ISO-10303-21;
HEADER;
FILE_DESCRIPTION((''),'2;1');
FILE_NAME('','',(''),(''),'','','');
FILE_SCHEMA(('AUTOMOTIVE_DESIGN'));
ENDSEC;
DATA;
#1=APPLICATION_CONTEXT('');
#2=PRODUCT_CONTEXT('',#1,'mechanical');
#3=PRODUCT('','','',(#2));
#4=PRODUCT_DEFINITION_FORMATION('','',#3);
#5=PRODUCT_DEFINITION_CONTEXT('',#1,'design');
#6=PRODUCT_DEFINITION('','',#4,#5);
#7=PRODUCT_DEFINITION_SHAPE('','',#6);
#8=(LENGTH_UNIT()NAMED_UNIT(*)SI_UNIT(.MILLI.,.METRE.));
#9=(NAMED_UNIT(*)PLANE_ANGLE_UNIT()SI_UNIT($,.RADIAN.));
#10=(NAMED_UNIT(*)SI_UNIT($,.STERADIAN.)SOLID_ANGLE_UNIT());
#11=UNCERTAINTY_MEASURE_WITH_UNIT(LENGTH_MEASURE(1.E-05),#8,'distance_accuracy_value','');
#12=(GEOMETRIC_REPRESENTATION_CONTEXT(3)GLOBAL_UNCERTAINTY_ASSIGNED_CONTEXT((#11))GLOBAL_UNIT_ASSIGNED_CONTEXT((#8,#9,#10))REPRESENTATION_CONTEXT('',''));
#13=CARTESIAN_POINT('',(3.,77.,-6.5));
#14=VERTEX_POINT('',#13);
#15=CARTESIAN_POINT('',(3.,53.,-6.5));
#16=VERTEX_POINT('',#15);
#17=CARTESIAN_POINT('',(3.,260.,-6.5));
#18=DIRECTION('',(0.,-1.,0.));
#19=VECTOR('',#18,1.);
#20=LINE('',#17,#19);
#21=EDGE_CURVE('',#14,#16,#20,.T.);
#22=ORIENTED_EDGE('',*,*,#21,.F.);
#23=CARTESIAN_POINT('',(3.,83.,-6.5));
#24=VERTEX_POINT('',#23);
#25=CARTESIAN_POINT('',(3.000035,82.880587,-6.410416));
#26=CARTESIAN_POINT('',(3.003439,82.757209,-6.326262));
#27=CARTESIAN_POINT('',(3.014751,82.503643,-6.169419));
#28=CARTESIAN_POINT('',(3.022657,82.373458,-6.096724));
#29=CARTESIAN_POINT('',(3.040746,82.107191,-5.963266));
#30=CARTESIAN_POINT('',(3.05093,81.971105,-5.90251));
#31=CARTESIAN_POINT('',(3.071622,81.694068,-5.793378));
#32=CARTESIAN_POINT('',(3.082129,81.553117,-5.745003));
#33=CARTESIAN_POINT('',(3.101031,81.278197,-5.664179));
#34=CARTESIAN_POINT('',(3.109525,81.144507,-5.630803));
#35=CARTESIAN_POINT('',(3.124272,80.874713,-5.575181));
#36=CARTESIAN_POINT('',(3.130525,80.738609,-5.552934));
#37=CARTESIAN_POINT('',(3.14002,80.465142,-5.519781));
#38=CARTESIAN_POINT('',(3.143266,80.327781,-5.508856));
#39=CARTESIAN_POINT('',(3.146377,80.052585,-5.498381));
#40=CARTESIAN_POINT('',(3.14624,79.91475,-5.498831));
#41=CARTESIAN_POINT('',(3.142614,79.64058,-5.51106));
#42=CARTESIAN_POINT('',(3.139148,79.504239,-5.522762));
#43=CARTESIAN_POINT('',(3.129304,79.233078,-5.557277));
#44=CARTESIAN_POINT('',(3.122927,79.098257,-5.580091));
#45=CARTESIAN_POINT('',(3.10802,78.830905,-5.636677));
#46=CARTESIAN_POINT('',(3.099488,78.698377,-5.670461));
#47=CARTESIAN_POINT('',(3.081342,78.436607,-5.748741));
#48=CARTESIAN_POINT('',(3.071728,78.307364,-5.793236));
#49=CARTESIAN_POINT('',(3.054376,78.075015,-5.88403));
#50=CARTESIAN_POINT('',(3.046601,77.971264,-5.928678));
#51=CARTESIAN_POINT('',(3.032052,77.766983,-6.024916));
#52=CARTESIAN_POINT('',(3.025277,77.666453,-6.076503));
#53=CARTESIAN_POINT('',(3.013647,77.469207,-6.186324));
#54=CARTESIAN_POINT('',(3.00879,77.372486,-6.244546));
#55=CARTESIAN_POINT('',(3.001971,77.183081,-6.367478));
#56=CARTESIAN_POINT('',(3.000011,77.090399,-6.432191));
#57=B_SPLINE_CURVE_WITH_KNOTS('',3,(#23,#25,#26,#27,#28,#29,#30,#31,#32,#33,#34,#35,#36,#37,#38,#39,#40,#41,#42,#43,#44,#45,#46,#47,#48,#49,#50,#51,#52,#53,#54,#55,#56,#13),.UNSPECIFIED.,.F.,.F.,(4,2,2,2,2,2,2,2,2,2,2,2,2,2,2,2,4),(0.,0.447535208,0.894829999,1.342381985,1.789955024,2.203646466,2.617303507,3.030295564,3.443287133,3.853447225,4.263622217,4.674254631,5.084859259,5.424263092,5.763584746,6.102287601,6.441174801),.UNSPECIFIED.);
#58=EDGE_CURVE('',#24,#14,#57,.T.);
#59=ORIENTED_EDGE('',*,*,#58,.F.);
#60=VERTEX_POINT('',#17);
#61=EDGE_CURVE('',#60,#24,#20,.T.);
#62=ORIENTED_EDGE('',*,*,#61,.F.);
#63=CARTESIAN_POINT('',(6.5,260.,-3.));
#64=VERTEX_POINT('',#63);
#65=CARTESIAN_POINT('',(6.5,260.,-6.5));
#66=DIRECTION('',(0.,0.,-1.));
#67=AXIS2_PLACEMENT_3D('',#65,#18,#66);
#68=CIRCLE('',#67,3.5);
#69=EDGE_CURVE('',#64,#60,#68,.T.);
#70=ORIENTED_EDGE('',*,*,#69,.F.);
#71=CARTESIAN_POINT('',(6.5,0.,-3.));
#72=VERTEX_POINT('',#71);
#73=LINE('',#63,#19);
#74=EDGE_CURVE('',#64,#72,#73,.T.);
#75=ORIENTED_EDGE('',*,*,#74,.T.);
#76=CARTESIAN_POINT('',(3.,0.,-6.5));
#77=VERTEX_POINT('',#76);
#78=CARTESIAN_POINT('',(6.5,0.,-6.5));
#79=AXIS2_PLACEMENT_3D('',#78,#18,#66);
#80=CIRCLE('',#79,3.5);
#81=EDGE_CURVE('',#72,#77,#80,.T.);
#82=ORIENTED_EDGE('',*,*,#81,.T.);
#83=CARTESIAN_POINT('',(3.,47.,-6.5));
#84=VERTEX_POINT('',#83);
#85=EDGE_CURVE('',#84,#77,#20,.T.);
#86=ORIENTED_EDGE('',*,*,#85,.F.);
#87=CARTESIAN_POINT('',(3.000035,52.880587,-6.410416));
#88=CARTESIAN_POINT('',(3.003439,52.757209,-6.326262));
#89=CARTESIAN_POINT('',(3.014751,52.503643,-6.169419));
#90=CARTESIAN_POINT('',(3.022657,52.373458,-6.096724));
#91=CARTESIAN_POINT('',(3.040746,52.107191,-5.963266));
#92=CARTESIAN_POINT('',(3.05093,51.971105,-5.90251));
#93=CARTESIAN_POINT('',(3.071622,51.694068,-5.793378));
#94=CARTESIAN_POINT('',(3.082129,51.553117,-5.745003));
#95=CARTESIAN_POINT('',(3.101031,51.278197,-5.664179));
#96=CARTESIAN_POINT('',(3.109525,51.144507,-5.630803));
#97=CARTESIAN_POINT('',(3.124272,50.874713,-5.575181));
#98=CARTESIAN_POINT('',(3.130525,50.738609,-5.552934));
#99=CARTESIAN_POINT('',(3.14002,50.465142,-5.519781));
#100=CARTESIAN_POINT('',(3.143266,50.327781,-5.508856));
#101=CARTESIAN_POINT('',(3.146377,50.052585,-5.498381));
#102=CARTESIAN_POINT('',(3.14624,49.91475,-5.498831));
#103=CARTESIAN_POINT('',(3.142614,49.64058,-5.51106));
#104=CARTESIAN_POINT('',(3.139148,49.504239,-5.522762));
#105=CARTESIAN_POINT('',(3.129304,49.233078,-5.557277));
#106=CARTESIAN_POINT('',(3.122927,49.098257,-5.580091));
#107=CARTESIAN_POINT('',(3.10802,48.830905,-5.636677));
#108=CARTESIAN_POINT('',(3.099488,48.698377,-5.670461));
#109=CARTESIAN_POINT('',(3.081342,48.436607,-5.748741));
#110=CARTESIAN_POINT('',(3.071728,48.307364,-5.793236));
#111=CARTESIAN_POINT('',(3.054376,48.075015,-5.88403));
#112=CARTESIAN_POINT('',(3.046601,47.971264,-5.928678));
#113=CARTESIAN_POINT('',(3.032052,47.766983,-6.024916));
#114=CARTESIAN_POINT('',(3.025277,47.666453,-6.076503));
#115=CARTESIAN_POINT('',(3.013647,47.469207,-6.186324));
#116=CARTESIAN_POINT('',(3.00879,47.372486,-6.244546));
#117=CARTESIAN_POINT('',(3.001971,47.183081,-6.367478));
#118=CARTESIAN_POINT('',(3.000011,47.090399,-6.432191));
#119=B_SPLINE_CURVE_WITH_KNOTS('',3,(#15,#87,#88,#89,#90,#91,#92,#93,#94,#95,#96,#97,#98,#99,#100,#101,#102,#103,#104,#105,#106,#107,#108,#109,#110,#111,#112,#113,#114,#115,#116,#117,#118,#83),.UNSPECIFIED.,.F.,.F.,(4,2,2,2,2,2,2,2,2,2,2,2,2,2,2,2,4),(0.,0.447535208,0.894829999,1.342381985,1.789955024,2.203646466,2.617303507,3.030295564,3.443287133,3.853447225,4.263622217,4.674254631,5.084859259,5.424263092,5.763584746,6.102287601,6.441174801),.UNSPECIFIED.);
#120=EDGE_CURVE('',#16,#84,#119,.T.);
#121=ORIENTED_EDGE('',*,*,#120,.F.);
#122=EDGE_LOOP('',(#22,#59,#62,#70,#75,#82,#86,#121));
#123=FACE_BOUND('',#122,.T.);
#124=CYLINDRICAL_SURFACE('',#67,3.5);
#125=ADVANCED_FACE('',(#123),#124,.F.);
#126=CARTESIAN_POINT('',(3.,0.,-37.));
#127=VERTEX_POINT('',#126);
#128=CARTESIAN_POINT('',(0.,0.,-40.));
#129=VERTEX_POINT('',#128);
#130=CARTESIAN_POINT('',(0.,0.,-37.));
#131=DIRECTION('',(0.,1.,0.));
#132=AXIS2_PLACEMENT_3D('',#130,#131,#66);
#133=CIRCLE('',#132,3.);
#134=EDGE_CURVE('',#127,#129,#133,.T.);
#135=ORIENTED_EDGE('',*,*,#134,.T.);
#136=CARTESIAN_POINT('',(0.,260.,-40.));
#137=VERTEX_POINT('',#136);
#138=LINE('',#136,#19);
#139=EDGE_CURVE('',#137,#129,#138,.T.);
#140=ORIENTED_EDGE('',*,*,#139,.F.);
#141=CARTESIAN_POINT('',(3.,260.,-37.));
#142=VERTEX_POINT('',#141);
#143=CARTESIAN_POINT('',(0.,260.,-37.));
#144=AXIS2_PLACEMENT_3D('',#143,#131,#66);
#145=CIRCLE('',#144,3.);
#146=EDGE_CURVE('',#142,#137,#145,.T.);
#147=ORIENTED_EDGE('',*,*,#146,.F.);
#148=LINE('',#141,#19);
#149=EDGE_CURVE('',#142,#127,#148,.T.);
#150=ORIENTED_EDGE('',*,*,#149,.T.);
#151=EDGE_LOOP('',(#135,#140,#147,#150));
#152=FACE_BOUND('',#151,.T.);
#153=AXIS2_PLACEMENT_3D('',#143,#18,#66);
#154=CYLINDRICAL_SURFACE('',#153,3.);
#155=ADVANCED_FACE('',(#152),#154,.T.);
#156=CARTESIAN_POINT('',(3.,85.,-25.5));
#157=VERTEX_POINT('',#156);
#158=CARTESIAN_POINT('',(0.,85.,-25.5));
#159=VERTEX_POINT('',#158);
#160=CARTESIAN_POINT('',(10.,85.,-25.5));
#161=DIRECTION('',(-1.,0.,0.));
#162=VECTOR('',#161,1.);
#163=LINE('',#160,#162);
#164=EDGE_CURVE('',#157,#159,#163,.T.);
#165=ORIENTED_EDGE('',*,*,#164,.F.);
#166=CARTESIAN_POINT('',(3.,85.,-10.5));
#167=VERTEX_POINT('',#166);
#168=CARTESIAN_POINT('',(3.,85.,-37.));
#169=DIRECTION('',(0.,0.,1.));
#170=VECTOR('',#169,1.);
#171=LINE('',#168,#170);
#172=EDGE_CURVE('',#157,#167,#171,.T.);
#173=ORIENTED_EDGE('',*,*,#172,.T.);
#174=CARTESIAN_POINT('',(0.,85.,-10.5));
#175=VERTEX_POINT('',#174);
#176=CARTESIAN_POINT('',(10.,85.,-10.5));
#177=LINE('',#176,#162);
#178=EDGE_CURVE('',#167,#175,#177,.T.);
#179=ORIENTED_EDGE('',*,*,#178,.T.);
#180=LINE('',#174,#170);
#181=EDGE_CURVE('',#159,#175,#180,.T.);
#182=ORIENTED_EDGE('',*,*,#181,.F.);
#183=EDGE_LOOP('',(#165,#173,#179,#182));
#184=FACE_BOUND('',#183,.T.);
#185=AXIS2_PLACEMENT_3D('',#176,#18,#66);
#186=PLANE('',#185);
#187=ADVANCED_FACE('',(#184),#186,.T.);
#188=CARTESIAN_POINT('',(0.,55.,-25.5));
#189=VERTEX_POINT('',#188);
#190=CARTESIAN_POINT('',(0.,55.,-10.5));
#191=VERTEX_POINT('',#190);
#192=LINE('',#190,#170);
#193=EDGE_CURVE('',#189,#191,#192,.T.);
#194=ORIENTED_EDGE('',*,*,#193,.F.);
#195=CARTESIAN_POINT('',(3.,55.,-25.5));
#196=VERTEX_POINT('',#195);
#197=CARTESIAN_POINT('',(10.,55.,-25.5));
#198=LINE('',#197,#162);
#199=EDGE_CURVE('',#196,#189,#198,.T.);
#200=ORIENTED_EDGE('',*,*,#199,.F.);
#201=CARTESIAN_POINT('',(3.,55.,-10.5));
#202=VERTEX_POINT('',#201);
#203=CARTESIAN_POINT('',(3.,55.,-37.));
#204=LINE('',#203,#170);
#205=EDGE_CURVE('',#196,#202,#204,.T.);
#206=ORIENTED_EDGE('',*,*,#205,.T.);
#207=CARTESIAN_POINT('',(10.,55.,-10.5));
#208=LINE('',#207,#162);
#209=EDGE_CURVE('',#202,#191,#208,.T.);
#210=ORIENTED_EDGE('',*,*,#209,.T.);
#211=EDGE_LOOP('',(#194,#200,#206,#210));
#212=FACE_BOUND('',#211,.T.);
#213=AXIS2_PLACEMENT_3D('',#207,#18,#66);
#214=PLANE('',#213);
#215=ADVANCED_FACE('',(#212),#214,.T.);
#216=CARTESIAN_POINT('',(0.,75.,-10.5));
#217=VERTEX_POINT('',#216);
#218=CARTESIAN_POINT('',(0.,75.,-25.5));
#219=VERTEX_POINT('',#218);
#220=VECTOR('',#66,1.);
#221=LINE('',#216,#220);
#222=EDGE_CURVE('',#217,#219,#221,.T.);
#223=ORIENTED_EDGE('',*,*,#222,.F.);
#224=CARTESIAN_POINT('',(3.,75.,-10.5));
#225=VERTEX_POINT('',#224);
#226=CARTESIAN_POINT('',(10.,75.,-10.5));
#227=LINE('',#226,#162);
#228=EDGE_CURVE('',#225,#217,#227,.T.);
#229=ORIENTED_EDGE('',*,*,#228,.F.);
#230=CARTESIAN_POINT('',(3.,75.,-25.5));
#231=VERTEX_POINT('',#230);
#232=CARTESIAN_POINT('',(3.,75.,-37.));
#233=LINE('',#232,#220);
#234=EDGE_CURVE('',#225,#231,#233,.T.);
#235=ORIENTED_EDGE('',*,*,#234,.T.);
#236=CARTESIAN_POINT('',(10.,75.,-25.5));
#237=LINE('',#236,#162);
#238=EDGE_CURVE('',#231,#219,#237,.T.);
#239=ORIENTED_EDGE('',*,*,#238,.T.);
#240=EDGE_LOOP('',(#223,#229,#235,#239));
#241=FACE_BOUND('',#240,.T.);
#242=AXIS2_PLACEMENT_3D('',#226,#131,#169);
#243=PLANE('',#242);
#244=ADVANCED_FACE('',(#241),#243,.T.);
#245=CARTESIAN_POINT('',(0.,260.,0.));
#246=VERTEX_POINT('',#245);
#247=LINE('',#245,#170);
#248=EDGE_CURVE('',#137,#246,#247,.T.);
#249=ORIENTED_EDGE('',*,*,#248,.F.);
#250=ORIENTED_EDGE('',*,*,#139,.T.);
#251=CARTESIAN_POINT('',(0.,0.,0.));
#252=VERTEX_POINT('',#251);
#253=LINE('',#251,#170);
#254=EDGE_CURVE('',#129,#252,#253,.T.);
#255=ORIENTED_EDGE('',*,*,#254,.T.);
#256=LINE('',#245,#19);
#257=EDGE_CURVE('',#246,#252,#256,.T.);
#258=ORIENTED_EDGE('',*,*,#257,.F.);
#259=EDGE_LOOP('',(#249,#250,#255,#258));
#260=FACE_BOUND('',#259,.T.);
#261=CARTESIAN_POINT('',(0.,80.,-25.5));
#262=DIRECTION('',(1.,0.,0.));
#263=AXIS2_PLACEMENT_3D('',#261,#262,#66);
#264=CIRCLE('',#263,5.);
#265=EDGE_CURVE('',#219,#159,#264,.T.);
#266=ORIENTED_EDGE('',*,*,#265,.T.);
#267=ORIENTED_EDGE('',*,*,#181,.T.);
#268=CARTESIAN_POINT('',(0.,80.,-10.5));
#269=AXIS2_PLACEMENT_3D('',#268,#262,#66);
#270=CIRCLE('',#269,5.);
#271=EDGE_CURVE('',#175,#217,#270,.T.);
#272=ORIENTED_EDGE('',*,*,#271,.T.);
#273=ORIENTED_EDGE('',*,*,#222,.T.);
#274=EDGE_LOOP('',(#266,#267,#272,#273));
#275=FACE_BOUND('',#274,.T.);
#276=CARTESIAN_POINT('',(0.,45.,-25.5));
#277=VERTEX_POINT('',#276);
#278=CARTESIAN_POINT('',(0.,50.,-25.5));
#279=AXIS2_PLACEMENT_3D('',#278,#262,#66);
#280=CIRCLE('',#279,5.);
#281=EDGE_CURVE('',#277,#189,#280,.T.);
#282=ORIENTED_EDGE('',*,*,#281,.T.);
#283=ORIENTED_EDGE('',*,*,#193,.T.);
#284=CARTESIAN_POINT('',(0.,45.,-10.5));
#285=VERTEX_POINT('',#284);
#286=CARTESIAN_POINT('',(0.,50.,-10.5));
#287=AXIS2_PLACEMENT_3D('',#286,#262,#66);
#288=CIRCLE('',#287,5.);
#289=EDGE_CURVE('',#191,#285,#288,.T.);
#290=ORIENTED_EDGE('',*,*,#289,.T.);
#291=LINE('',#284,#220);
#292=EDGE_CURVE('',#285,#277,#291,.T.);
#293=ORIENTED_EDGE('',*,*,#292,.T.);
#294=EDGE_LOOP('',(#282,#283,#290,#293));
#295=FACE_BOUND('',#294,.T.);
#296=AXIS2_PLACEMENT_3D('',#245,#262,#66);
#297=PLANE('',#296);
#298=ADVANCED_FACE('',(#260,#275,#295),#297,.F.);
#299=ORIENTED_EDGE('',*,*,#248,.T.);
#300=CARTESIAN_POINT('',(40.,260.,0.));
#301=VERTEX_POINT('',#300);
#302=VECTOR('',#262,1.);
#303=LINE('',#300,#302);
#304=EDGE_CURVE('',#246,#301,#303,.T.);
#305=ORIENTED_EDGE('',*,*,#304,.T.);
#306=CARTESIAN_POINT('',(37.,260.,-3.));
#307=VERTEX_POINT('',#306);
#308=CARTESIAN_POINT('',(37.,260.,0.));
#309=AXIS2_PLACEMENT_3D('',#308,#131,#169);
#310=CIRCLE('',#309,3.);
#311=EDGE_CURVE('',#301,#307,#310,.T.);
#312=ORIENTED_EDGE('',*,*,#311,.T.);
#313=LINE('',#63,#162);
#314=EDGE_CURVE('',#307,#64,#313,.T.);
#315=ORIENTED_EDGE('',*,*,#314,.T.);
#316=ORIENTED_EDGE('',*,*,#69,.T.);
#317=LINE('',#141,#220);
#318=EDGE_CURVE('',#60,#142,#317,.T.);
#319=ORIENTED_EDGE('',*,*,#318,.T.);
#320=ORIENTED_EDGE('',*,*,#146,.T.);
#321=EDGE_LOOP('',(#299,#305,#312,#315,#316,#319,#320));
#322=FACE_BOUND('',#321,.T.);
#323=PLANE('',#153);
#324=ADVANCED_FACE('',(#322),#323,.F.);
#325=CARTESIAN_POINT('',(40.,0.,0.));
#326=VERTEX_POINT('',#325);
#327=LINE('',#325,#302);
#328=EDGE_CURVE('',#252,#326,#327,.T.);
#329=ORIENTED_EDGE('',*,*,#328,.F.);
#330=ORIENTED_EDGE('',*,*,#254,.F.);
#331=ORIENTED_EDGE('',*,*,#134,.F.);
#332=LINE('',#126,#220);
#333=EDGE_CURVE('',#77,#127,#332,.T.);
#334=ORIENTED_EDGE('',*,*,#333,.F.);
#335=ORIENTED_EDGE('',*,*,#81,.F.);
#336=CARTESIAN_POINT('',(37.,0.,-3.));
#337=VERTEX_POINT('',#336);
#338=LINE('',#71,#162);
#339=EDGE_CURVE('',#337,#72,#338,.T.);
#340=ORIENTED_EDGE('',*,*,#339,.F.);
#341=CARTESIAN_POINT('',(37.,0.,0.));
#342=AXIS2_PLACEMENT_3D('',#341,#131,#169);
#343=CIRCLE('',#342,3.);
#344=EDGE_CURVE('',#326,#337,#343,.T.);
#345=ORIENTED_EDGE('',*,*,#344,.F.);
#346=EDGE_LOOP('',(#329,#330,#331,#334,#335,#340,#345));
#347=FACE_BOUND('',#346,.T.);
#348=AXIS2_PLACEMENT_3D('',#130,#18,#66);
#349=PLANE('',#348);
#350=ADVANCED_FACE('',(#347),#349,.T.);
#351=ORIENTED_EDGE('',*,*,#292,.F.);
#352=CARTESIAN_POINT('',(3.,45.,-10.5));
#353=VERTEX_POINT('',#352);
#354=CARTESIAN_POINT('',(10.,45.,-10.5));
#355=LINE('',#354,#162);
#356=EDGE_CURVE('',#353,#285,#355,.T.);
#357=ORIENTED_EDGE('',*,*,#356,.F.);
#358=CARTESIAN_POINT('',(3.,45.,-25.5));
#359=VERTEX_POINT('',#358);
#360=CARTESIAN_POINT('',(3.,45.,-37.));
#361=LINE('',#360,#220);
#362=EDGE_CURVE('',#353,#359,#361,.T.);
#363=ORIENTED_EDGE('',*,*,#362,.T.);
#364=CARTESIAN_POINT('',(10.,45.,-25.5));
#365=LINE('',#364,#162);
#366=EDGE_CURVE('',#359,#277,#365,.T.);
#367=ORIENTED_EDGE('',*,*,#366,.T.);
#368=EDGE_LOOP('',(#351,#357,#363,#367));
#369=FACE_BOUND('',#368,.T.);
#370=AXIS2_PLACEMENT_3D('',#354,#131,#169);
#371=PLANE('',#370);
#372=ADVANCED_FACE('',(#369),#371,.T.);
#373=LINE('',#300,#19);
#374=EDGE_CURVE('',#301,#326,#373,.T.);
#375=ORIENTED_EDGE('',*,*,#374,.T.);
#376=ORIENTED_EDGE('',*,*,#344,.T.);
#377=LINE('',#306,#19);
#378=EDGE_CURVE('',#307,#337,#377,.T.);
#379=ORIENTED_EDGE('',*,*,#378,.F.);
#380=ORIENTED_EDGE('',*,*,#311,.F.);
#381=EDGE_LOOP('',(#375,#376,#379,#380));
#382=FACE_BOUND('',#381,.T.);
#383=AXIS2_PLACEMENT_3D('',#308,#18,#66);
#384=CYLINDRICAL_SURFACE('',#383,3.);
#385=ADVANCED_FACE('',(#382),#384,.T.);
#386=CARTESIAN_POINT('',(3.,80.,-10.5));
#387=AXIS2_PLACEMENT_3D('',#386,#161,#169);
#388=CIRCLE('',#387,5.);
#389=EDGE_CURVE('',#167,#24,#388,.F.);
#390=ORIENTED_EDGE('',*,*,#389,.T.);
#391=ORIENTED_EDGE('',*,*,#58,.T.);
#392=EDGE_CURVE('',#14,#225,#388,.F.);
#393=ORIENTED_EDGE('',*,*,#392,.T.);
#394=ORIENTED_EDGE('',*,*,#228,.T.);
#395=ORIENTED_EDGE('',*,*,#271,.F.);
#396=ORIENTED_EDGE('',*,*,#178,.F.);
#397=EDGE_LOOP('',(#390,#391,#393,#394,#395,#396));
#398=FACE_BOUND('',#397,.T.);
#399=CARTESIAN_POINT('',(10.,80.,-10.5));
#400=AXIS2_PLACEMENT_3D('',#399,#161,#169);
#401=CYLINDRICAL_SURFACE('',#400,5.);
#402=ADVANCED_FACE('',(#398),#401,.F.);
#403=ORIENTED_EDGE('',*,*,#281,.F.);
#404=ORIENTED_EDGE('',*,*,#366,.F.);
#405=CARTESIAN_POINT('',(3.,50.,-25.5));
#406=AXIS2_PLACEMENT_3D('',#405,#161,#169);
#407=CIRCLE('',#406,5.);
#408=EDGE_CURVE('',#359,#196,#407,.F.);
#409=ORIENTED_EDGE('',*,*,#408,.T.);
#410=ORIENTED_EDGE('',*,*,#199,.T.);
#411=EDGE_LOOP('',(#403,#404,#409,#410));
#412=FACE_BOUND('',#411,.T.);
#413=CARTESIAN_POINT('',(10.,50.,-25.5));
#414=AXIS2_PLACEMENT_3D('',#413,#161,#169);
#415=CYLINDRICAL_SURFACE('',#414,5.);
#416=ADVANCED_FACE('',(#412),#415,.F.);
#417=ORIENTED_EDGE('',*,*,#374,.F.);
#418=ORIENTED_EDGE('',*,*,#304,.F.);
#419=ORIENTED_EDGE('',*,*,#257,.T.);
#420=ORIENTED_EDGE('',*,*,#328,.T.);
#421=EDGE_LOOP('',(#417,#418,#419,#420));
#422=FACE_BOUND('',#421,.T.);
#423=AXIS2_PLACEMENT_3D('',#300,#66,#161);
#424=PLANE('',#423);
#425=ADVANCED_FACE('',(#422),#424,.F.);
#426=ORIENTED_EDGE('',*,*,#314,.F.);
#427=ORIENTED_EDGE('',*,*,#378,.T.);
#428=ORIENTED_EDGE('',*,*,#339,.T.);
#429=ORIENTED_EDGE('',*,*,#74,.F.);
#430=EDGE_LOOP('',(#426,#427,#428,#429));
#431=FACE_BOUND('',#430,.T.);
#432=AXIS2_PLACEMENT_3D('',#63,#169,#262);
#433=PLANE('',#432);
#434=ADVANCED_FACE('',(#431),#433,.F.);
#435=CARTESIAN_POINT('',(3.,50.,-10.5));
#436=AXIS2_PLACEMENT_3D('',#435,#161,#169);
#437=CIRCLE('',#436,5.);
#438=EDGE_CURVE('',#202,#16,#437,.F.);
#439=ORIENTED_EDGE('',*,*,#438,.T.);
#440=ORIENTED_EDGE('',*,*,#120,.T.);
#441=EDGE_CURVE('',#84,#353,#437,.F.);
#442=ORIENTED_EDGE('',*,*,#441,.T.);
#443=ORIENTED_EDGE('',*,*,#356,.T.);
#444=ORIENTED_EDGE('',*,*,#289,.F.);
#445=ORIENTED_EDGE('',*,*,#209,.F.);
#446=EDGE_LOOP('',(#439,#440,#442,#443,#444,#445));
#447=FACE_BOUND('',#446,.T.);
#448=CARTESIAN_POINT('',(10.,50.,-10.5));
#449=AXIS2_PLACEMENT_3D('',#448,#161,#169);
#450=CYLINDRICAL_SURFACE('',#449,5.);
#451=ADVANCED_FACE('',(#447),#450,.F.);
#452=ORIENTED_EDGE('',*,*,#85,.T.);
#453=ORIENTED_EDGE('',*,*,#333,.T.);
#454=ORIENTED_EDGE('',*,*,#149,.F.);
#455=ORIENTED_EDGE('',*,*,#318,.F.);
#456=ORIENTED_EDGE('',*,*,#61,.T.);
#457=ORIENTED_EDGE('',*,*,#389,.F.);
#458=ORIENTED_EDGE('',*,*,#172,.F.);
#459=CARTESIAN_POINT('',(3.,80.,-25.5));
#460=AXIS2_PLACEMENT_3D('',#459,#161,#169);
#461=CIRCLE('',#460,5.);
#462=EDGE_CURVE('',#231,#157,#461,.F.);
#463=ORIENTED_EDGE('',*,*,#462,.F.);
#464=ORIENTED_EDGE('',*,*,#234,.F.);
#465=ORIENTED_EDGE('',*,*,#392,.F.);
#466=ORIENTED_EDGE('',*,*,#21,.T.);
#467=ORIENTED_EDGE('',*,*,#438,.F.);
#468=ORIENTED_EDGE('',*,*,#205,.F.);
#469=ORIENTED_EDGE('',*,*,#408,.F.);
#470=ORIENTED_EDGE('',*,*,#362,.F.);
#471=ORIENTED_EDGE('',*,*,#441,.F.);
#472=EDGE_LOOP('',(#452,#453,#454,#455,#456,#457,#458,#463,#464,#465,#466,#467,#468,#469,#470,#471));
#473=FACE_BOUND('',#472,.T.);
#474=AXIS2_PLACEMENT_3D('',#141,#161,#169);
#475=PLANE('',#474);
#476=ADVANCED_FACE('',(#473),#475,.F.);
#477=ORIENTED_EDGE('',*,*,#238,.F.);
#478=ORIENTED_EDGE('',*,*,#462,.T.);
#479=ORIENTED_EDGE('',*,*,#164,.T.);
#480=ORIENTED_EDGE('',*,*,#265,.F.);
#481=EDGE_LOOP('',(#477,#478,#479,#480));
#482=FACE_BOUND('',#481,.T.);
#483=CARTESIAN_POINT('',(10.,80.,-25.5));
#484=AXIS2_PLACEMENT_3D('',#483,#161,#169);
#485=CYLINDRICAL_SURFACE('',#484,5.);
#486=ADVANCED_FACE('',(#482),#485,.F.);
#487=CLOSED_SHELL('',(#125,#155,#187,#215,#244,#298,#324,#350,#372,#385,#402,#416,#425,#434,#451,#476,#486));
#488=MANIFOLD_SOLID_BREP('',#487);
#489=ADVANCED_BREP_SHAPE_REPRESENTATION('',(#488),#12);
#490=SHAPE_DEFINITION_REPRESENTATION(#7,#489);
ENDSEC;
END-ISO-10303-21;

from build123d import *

# Parameters (mm, degrees)
IRON_V40X40X3_1_DEPTH = 260
CUT_EXTRUDE1_DEPTH    = 10


with BuildPart() as part:
    # Sketch1 → Iron V40X40X3(1) (new body)
    with BuildSketch(Plane(origin=(0, 0, 0), x_dir=(1, 0, 0), z_dir=(0, 1, 0))):
        with BuildLine():
            Line((0, 0), (0, 40))
            ThreePointArc((0, 40), (2.121320344, 39.121320344), (3, 37))
            Line((3, 37), (3, 6.5))
            ThreePointArc((3, 6.5), (4.025126266, 4.025126266), (6.5, 3))
            Line((6.5, 3), (37, 3))
            ThreePointArc((37, 3), (39.121320344, 2.121320344), (40, 0))
            Line((40, 0), (0, 0))
        make_face()
    extrude(amount=IRON_V40X40X3_1_DEPTH)

    # Sketch2 → Cut-Extrude1 (cut)
    with BuildSketch(Plane(origin=(0, 0, 0), x_dir=(0, 0, -1), z_dir=(1, 0, 0))):
        with BuildLine():
            Line((10.5, 55), (25.5, 55))
            ThreePointArc((25.5, 55), (30.5, 50), (25.5, 45))
            Line((25.5, 45), (10.5, 45))
            ThreePointArc((10.5, 45), (5.5, 50), (10.5, 55))
        make_face()
        with BuildLine():
            Line((10.5, 85), (25.5, 85))
            ThreePointArc((25.5, 85), (30.5, 80), (25.5, 75))
            Line((25.5, 75), (10.5, 75))
            ThreePointArc((10.5, 75), (5.5, 80), (10.5, 85))
        make_face()
    extrude(amount=CUT_EXTRUDE1_DEPTH, mode=Mode.SUBTRACT)


solid = part.part
